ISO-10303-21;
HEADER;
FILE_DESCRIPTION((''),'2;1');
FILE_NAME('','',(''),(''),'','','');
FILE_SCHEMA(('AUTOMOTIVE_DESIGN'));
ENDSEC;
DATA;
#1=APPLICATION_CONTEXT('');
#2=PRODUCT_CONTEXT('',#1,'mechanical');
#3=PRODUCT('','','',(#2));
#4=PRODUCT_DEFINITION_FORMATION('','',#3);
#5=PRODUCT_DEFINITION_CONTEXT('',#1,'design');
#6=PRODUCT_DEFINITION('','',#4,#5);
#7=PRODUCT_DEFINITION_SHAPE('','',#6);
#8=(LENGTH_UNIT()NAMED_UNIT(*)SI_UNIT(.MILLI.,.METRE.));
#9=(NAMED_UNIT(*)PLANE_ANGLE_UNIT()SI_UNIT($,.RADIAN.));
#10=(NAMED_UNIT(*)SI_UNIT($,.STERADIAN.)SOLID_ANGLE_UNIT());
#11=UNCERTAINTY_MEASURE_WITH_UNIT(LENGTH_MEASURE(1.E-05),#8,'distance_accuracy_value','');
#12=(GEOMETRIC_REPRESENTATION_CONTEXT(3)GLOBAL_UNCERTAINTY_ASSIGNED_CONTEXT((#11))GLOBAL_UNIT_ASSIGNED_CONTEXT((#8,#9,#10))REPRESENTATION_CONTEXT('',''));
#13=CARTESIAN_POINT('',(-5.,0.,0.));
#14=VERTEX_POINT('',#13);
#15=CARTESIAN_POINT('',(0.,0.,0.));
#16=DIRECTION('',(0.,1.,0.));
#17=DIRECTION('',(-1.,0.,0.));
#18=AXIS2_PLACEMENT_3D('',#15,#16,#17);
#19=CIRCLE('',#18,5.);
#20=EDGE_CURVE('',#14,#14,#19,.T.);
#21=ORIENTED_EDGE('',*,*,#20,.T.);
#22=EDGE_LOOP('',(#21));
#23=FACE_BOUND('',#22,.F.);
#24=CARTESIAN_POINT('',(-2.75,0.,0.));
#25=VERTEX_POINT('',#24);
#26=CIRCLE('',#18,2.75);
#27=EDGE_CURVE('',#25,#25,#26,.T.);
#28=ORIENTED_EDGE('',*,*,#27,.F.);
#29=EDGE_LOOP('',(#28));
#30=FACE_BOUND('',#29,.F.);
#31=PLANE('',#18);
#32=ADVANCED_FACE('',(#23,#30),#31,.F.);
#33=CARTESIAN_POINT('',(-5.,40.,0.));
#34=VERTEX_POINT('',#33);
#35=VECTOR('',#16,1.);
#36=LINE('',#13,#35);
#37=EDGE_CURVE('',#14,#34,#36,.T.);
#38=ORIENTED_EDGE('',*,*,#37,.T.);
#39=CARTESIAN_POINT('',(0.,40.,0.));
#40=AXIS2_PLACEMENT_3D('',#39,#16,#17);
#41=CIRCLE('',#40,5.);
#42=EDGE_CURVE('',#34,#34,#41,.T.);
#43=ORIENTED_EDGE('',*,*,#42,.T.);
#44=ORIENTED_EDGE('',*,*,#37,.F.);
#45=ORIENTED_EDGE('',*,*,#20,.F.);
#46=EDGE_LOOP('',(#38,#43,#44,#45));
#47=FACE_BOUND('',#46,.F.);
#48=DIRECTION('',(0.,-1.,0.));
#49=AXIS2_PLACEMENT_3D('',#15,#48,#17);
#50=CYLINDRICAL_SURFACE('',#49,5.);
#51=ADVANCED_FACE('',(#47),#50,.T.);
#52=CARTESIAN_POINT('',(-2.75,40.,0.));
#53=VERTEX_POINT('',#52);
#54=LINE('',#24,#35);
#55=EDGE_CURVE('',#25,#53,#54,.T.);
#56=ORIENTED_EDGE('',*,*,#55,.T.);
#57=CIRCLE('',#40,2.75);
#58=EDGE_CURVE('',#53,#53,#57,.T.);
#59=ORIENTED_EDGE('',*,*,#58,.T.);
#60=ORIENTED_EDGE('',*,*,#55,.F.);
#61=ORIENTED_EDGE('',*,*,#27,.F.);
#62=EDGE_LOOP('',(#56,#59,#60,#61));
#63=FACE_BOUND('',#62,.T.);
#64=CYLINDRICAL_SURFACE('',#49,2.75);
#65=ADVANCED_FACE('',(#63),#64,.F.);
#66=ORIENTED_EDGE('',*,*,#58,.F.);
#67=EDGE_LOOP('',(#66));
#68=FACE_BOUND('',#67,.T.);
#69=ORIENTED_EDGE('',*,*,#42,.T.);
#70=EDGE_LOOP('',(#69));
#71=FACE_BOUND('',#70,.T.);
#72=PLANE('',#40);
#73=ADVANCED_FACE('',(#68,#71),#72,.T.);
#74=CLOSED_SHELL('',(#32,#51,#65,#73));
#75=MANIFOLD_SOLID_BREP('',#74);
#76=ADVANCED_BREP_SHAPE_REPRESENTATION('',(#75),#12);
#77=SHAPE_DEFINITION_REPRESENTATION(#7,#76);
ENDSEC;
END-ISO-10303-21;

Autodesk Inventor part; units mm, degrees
ref_plane "YZ Plane" through (0, 0, 0) normal (1, 0, 0) x (0, 1, 0)
ref_plane "XZ Plane" through (0, 0, 0) normal (0, 1, 0) x (-1, 0, 0)
ref_plane "XY Plane" through (0, 0, 0) normal (0, 0, 1) x (1, 0, 0)
sketch "Sketch1" plane through (0, 0, 0) normal (0, 1, 0) x (-1, 0, 0)
  circle A0 centre (0, 0) radius 2.75
  circle A1 centre (0, 0) radius 5
  dimension "d0" = 5.5
  dimension "d1" = 10
extrude "Extrusion1" add sketch "Sketch1" along normal blind 40
properties part number "CH_01_0050_distans_40mm"
